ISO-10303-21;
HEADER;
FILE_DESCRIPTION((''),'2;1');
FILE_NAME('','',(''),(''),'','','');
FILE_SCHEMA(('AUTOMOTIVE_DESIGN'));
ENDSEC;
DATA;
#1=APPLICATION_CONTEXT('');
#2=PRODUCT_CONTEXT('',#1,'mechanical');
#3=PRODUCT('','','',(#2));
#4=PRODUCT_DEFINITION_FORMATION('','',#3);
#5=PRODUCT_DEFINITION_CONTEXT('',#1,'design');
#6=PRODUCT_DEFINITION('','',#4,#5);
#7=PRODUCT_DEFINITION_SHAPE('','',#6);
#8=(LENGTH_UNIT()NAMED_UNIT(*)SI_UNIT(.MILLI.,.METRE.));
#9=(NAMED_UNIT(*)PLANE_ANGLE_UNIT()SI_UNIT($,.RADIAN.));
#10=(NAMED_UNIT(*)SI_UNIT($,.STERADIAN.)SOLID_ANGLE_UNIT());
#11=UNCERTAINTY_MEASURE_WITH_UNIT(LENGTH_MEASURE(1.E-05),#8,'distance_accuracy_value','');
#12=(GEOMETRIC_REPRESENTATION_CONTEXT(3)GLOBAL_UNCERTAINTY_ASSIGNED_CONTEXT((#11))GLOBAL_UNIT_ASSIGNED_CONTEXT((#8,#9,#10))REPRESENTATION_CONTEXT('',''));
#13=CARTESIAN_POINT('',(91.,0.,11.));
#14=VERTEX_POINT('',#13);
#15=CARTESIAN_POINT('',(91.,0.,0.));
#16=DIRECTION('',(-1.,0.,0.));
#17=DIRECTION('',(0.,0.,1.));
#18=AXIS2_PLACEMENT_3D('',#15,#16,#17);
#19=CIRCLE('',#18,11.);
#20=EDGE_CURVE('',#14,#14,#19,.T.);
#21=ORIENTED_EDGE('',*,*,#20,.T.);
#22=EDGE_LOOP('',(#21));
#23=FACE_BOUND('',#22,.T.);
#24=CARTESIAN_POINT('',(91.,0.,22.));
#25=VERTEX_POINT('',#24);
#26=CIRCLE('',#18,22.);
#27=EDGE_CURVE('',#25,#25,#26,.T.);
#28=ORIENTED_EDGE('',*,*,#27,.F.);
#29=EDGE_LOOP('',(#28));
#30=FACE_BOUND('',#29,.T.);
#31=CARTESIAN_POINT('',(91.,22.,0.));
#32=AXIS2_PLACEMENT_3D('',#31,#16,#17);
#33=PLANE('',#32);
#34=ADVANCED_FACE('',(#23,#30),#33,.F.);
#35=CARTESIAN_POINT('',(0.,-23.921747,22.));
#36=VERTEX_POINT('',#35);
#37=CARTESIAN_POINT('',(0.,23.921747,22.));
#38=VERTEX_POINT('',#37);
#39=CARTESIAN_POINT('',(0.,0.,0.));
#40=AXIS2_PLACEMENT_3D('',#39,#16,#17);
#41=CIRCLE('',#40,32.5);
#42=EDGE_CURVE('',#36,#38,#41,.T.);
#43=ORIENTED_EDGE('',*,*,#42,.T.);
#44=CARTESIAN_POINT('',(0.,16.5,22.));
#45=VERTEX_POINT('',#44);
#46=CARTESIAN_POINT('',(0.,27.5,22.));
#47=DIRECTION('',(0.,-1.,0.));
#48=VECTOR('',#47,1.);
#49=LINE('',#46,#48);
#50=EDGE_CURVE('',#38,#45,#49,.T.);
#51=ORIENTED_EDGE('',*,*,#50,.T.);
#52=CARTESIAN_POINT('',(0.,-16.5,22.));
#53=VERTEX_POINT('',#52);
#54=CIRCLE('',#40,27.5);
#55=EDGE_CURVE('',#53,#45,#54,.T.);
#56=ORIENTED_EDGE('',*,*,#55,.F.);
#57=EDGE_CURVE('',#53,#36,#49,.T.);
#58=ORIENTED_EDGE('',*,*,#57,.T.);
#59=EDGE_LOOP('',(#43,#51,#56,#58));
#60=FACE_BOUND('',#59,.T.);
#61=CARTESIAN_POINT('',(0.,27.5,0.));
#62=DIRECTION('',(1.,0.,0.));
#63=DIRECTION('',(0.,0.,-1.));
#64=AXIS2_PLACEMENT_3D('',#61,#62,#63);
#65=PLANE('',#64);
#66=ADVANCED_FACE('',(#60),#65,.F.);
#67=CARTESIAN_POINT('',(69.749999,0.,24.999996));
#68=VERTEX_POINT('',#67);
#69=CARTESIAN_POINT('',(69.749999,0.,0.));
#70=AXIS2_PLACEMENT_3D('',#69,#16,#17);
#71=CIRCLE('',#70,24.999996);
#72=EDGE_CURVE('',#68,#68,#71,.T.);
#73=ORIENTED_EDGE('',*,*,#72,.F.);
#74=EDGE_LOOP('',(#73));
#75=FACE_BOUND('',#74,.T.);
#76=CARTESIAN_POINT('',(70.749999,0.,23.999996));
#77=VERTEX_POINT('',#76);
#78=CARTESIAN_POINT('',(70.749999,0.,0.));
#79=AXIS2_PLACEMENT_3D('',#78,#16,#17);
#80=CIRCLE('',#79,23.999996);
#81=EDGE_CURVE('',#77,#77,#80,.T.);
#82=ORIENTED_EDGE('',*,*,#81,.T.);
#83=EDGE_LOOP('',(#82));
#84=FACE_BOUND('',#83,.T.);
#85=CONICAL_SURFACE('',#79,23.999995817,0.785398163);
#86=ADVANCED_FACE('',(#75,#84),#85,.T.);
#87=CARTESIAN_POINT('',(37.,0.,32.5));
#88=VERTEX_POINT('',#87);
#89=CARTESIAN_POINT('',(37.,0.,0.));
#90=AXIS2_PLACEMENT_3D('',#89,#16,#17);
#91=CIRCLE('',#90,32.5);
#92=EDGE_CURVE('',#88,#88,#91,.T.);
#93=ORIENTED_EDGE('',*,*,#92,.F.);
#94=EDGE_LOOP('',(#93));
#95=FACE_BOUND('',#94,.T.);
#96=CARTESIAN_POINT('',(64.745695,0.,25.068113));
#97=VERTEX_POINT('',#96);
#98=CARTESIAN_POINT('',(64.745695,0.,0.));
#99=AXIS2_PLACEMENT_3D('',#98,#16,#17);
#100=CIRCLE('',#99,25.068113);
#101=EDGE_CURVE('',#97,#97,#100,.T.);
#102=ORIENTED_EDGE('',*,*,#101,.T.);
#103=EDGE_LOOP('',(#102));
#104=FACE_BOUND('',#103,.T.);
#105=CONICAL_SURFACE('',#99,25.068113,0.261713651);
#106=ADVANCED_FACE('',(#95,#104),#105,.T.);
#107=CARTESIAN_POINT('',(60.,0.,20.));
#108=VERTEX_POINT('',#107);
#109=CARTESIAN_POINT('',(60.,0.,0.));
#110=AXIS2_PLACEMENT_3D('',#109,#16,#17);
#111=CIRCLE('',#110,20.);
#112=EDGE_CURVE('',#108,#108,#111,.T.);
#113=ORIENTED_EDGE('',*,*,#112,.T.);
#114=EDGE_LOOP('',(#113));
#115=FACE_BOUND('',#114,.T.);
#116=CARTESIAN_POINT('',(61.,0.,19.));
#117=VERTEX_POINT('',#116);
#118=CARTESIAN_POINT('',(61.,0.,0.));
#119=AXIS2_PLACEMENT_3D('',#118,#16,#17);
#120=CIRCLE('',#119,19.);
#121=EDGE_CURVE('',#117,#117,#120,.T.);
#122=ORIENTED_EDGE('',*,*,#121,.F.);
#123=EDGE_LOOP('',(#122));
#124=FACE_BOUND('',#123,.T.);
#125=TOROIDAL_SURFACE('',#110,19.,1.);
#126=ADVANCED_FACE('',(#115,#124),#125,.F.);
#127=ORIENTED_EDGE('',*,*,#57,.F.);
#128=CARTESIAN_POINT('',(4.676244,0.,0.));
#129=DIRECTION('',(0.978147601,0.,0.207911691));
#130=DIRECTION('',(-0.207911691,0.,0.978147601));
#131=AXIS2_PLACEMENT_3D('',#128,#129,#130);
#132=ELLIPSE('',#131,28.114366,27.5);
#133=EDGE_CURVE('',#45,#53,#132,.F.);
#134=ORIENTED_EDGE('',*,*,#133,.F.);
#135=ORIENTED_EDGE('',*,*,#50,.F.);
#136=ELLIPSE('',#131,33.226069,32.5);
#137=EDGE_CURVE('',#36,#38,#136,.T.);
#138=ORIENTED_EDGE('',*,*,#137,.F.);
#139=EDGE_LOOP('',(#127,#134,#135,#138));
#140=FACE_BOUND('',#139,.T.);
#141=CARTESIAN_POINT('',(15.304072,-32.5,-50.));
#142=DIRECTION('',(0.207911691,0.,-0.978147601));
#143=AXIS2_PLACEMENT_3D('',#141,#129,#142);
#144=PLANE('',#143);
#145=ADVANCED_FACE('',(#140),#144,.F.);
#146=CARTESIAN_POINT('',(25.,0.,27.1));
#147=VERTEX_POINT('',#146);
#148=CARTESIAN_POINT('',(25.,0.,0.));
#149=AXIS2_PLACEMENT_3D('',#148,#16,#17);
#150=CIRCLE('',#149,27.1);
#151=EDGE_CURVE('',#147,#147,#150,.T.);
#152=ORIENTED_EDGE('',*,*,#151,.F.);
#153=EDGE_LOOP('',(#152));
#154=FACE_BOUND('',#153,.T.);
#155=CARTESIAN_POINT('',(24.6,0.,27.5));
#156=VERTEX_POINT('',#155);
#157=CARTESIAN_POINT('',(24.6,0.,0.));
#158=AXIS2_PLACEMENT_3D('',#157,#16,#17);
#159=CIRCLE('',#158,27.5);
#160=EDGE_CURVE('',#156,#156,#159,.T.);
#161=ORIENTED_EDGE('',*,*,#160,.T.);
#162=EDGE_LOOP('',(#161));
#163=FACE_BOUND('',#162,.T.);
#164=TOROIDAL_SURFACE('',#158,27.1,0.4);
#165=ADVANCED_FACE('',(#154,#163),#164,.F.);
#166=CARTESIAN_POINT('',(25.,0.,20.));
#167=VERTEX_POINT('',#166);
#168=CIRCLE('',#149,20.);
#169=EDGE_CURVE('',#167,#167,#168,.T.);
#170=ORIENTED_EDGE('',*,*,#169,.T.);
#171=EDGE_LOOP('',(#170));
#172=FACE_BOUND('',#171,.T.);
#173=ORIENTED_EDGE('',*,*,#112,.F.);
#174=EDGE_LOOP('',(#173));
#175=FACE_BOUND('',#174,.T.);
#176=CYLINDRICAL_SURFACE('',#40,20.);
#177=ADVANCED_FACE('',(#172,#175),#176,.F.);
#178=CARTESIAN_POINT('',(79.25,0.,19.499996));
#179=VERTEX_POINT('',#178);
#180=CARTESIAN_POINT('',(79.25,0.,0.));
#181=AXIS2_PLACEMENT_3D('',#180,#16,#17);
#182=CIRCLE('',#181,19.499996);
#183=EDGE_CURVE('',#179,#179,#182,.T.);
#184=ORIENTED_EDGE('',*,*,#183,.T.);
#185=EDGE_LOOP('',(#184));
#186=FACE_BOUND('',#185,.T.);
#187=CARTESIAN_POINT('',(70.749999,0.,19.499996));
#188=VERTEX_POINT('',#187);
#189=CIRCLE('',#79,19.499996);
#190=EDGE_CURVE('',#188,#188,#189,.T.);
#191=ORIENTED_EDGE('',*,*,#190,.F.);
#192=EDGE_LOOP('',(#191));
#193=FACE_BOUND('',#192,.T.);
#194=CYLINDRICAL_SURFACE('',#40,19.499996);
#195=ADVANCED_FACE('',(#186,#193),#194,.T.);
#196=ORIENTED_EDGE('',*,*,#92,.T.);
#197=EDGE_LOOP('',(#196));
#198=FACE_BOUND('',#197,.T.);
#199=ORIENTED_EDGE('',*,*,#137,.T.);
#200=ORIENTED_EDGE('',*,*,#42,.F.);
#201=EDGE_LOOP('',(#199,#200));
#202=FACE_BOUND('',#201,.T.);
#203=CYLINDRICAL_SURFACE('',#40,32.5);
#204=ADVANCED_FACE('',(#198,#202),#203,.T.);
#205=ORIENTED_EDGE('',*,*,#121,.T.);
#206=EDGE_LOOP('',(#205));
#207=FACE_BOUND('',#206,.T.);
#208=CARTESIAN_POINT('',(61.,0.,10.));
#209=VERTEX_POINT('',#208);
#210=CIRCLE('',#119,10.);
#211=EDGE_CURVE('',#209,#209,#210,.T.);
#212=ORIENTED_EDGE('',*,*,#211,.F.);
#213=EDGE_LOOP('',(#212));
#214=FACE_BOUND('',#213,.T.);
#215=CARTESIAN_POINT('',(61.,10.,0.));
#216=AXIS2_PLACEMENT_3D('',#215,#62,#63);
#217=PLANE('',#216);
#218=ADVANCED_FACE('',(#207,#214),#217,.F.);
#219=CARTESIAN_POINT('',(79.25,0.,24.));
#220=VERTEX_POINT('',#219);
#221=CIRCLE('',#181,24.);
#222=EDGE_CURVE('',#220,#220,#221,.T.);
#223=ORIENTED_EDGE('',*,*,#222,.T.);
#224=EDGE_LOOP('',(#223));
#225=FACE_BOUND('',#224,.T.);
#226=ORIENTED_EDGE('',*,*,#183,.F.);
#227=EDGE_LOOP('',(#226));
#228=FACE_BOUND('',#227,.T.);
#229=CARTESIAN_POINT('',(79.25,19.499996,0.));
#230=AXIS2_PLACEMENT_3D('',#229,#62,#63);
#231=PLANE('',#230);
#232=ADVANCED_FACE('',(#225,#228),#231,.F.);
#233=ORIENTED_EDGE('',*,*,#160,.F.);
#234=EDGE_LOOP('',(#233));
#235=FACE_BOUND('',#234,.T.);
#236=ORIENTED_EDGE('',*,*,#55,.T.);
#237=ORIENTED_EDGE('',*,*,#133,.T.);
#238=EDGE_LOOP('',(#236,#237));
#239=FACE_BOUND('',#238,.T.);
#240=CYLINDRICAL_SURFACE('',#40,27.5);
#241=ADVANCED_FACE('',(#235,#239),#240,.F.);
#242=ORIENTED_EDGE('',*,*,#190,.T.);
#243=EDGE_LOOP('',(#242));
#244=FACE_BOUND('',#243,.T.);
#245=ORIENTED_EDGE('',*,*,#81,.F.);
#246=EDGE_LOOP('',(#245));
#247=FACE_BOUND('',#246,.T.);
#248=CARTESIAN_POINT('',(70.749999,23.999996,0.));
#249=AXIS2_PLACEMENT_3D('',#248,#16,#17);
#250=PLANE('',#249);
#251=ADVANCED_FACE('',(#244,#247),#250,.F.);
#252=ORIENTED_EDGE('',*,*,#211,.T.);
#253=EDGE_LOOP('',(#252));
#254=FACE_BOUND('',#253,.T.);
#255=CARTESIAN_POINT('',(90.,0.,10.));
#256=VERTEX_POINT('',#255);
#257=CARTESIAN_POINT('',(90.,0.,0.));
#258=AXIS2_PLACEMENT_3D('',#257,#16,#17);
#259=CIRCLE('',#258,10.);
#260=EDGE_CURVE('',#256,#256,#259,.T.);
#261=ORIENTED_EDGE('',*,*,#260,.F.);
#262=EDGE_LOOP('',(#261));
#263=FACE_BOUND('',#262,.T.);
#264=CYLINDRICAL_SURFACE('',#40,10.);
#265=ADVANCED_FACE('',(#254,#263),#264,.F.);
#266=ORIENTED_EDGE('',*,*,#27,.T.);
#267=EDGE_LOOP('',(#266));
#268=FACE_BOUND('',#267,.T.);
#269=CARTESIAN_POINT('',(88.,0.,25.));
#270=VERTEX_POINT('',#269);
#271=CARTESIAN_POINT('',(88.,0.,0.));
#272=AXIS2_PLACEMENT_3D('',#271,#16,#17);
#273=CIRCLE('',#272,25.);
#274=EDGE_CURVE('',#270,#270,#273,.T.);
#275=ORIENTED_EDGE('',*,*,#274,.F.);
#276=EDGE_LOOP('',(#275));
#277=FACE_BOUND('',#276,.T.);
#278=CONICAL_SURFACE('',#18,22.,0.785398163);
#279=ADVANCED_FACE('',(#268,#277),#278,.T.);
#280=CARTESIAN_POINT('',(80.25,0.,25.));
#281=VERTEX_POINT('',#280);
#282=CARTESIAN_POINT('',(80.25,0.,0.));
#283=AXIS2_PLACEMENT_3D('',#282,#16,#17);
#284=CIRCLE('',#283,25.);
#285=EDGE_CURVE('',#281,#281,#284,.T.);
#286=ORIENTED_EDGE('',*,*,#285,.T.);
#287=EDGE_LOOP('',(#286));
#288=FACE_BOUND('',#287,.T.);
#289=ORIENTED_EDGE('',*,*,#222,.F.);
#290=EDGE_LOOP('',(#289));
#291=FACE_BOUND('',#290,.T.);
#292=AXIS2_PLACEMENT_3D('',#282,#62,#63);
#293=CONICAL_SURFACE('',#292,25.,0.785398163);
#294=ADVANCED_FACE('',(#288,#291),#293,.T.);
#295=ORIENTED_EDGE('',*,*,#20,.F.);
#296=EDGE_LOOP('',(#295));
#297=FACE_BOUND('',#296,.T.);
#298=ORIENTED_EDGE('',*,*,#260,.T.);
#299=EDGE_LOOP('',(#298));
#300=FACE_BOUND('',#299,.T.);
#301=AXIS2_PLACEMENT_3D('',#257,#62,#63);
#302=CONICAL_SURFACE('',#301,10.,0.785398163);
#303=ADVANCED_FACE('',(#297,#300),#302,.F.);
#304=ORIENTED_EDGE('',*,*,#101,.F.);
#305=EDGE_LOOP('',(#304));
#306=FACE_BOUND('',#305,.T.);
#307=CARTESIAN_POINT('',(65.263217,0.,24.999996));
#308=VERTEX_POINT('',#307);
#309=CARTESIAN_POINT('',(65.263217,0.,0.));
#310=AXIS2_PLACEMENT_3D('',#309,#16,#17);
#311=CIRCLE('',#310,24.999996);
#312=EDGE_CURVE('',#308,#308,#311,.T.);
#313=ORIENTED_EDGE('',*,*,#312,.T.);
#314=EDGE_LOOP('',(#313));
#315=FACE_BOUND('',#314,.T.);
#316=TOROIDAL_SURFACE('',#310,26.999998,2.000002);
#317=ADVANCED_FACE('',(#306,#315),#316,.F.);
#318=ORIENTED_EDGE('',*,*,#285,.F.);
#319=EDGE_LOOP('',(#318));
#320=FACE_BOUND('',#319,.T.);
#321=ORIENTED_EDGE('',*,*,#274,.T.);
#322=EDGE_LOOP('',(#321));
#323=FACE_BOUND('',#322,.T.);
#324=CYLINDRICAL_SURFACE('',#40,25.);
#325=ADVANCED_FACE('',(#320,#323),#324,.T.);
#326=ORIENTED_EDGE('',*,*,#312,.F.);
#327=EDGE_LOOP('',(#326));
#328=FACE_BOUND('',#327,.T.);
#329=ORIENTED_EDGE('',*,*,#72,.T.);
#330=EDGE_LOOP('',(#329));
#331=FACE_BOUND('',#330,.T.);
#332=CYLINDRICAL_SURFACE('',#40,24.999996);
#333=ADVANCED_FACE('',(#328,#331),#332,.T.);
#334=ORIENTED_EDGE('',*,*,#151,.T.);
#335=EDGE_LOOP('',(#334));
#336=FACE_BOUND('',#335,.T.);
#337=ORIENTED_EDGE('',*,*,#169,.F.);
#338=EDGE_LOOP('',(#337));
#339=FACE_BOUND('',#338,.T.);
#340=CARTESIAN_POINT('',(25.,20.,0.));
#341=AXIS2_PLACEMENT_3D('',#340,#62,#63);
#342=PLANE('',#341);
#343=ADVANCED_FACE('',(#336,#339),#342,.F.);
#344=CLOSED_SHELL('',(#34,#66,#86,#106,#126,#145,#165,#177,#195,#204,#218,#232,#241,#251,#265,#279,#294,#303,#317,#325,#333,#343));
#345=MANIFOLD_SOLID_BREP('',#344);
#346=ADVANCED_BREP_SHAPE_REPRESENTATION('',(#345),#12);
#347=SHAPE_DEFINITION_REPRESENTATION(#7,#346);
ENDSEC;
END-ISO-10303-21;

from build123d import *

# Parameters (mm, degrees)
CUT_EXTRUDE_12_DEPTH      = 102.948516419
CUT_EXTRUDE_12_DEPTH_BACK = 102.948516419


with BuildPart() as part:
    # Эскиз1 → Revolve 236 (revolve)
    with BuildSketch(Plane.XY, mode=Mode.PRIVATE) as revolve_236_sk:
        with BuildLine():
            Line((0, 32.5), (37, 32.5))
            Line((37, 32.5), (64.745695, 25.068113))
            ThreePointArc((64.745695, 25.068113), (65.002224223, 25.017098236), (65.263217049, 24.999995817))
            Line((65.263217049, 24.999995817), (69.749999449, 24.999995817))
            Line((69.749999449, 24.999995817), (70.749999449, 23.999995817))
            Line((70.749999449, 23.999995817), (70.749999449, 19.499995817))
            Line((70.749999449, 19.499995817), (79.25, 19.499995817))
            Line((79.25, 19.499995817), (79.25, 24))
            Line((79.25, 24), (80.25, 25))
            Line((80.25, 25), (88, 25))
            Line((88, 25), (91, 22))
            Line((91, 22), (91, 11))
            Line((91, 11), (90, 10))
            Line((90, 10), (61, 10))
            Line((61, 10), (61, 19))
            ThreePointArc((61, 19), (60.707106781, 19.707106781), (60, 20))
            Line((60, 20), (25, 20))
            Line((25, 20), (25, 27.1))
            ThreePointArc((25, 27.1), (24.882842712, 27.382842712), (24.6, 27.5))
            Line((24.6, 27.5), (0, 27.5))
            Line((0, 27.5), (0, 32.5))
        make_face()
    revolve(revolve_236_sk.sketch.rotate(Axis((0, 0, 0), (1, 0, 0)), 90), axis=Axis((0, 0, 0), (1, 0, 0)))

    # Эскиз2 → Наклон торца 12 градусов (cut, two sides: drawn at the far end of the back side and taken through both)
    with BuildSketch(Plane(origin=(0, 0, 0), x_dir=(1, 0, 0), z_dir=(0, 1, 0)).offset(-CUT_EXTRUDE_12_DEPTH_BACK)):
        Polygon((-25, 50), (15.30407244, 50), (-5.951583727, -50), (-25, -50), align=None)
    extrude(amount=CUT_EXTRUDE_12_DEPTH + CUT_EXTRUDE_12_DEPTH_BACK, mode=Mode.SUBTRACT)


solid = part.part
